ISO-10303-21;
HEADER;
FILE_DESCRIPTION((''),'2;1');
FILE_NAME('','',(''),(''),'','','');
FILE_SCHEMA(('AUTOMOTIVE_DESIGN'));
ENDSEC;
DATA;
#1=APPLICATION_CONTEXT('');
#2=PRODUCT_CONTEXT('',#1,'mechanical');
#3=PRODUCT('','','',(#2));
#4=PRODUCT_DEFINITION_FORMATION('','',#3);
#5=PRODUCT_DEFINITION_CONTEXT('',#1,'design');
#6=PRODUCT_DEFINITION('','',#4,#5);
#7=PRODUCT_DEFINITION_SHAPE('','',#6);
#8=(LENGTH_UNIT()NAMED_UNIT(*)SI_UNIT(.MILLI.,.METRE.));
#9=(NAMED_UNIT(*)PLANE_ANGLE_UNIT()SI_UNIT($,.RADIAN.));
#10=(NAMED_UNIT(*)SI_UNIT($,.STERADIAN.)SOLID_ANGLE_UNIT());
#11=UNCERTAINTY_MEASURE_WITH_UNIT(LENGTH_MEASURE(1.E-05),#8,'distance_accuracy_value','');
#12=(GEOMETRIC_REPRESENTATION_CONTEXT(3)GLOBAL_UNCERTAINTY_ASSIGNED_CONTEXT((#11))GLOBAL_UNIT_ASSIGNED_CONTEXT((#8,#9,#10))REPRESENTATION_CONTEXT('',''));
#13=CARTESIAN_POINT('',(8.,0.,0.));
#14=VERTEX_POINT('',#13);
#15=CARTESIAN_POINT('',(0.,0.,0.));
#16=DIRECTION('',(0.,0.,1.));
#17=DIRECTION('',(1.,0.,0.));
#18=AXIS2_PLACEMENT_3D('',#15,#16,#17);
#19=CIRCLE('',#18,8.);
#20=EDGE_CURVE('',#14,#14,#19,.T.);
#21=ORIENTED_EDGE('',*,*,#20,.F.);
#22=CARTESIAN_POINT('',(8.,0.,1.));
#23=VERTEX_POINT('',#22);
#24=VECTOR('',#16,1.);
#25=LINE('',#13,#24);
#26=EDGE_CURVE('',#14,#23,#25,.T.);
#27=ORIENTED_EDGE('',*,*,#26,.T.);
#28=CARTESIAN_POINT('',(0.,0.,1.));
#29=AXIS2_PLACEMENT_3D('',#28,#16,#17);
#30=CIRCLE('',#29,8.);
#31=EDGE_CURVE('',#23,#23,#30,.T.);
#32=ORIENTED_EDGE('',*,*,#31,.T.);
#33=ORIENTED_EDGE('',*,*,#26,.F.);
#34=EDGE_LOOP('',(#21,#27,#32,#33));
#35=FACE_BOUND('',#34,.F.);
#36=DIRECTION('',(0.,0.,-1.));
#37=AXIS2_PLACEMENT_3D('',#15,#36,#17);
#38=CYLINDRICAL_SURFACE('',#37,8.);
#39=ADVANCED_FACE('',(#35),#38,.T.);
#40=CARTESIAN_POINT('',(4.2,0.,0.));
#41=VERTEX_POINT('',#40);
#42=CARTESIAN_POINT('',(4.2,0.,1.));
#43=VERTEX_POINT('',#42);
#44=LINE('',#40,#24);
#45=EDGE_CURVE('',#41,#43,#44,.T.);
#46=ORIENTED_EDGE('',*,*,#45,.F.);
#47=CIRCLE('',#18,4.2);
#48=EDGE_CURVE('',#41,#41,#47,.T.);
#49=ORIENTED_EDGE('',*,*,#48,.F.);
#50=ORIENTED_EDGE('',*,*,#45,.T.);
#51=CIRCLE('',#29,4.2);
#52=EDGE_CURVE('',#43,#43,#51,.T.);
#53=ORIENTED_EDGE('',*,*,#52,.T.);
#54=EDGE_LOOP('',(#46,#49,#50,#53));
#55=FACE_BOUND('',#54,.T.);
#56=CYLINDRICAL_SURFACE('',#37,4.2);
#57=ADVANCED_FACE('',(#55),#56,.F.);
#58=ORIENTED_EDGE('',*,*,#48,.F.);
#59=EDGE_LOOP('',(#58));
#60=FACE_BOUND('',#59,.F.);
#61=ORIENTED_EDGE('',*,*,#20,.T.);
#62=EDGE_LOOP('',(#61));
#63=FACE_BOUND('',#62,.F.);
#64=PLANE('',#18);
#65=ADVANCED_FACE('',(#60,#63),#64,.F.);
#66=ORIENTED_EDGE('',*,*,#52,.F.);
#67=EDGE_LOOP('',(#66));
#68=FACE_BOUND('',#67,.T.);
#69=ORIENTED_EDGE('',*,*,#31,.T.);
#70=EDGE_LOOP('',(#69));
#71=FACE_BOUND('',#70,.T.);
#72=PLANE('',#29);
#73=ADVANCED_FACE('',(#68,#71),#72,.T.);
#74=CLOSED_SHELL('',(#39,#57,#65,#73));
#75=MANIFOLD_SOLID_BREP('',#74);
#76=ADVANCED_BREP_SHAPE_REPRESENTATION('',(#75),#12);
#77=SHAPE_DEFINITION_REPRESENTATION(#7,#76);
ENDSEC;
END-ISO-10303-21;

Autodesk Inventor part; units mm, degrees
ref_plane "YZ Plane" through (0, 0, 0) normal (1, 0, 0) x (0, 1, 0)
ref_plane "XZ Plane" through (0, 0, 0) normal (0, 1, 0) x (-1, 0, 0)
ref_plane "XY Plane" through (0, 0, 0) normal (0, 0, 1) x (1, 0, 0)
sketch "Sketch1" plane through (0, 0, 0) normal (0, 0, 1) x (1, 0, 0)
  circle A0 centre (0, 0) radius 4.2
  circle A1 centre (0, 0) radius 8
  dimension "d0" = 8.4
  dimension "d2" = 16
extrude "Extrusion1" add sketch "Sketch1" along normal blind 1
properties part number "washer"
